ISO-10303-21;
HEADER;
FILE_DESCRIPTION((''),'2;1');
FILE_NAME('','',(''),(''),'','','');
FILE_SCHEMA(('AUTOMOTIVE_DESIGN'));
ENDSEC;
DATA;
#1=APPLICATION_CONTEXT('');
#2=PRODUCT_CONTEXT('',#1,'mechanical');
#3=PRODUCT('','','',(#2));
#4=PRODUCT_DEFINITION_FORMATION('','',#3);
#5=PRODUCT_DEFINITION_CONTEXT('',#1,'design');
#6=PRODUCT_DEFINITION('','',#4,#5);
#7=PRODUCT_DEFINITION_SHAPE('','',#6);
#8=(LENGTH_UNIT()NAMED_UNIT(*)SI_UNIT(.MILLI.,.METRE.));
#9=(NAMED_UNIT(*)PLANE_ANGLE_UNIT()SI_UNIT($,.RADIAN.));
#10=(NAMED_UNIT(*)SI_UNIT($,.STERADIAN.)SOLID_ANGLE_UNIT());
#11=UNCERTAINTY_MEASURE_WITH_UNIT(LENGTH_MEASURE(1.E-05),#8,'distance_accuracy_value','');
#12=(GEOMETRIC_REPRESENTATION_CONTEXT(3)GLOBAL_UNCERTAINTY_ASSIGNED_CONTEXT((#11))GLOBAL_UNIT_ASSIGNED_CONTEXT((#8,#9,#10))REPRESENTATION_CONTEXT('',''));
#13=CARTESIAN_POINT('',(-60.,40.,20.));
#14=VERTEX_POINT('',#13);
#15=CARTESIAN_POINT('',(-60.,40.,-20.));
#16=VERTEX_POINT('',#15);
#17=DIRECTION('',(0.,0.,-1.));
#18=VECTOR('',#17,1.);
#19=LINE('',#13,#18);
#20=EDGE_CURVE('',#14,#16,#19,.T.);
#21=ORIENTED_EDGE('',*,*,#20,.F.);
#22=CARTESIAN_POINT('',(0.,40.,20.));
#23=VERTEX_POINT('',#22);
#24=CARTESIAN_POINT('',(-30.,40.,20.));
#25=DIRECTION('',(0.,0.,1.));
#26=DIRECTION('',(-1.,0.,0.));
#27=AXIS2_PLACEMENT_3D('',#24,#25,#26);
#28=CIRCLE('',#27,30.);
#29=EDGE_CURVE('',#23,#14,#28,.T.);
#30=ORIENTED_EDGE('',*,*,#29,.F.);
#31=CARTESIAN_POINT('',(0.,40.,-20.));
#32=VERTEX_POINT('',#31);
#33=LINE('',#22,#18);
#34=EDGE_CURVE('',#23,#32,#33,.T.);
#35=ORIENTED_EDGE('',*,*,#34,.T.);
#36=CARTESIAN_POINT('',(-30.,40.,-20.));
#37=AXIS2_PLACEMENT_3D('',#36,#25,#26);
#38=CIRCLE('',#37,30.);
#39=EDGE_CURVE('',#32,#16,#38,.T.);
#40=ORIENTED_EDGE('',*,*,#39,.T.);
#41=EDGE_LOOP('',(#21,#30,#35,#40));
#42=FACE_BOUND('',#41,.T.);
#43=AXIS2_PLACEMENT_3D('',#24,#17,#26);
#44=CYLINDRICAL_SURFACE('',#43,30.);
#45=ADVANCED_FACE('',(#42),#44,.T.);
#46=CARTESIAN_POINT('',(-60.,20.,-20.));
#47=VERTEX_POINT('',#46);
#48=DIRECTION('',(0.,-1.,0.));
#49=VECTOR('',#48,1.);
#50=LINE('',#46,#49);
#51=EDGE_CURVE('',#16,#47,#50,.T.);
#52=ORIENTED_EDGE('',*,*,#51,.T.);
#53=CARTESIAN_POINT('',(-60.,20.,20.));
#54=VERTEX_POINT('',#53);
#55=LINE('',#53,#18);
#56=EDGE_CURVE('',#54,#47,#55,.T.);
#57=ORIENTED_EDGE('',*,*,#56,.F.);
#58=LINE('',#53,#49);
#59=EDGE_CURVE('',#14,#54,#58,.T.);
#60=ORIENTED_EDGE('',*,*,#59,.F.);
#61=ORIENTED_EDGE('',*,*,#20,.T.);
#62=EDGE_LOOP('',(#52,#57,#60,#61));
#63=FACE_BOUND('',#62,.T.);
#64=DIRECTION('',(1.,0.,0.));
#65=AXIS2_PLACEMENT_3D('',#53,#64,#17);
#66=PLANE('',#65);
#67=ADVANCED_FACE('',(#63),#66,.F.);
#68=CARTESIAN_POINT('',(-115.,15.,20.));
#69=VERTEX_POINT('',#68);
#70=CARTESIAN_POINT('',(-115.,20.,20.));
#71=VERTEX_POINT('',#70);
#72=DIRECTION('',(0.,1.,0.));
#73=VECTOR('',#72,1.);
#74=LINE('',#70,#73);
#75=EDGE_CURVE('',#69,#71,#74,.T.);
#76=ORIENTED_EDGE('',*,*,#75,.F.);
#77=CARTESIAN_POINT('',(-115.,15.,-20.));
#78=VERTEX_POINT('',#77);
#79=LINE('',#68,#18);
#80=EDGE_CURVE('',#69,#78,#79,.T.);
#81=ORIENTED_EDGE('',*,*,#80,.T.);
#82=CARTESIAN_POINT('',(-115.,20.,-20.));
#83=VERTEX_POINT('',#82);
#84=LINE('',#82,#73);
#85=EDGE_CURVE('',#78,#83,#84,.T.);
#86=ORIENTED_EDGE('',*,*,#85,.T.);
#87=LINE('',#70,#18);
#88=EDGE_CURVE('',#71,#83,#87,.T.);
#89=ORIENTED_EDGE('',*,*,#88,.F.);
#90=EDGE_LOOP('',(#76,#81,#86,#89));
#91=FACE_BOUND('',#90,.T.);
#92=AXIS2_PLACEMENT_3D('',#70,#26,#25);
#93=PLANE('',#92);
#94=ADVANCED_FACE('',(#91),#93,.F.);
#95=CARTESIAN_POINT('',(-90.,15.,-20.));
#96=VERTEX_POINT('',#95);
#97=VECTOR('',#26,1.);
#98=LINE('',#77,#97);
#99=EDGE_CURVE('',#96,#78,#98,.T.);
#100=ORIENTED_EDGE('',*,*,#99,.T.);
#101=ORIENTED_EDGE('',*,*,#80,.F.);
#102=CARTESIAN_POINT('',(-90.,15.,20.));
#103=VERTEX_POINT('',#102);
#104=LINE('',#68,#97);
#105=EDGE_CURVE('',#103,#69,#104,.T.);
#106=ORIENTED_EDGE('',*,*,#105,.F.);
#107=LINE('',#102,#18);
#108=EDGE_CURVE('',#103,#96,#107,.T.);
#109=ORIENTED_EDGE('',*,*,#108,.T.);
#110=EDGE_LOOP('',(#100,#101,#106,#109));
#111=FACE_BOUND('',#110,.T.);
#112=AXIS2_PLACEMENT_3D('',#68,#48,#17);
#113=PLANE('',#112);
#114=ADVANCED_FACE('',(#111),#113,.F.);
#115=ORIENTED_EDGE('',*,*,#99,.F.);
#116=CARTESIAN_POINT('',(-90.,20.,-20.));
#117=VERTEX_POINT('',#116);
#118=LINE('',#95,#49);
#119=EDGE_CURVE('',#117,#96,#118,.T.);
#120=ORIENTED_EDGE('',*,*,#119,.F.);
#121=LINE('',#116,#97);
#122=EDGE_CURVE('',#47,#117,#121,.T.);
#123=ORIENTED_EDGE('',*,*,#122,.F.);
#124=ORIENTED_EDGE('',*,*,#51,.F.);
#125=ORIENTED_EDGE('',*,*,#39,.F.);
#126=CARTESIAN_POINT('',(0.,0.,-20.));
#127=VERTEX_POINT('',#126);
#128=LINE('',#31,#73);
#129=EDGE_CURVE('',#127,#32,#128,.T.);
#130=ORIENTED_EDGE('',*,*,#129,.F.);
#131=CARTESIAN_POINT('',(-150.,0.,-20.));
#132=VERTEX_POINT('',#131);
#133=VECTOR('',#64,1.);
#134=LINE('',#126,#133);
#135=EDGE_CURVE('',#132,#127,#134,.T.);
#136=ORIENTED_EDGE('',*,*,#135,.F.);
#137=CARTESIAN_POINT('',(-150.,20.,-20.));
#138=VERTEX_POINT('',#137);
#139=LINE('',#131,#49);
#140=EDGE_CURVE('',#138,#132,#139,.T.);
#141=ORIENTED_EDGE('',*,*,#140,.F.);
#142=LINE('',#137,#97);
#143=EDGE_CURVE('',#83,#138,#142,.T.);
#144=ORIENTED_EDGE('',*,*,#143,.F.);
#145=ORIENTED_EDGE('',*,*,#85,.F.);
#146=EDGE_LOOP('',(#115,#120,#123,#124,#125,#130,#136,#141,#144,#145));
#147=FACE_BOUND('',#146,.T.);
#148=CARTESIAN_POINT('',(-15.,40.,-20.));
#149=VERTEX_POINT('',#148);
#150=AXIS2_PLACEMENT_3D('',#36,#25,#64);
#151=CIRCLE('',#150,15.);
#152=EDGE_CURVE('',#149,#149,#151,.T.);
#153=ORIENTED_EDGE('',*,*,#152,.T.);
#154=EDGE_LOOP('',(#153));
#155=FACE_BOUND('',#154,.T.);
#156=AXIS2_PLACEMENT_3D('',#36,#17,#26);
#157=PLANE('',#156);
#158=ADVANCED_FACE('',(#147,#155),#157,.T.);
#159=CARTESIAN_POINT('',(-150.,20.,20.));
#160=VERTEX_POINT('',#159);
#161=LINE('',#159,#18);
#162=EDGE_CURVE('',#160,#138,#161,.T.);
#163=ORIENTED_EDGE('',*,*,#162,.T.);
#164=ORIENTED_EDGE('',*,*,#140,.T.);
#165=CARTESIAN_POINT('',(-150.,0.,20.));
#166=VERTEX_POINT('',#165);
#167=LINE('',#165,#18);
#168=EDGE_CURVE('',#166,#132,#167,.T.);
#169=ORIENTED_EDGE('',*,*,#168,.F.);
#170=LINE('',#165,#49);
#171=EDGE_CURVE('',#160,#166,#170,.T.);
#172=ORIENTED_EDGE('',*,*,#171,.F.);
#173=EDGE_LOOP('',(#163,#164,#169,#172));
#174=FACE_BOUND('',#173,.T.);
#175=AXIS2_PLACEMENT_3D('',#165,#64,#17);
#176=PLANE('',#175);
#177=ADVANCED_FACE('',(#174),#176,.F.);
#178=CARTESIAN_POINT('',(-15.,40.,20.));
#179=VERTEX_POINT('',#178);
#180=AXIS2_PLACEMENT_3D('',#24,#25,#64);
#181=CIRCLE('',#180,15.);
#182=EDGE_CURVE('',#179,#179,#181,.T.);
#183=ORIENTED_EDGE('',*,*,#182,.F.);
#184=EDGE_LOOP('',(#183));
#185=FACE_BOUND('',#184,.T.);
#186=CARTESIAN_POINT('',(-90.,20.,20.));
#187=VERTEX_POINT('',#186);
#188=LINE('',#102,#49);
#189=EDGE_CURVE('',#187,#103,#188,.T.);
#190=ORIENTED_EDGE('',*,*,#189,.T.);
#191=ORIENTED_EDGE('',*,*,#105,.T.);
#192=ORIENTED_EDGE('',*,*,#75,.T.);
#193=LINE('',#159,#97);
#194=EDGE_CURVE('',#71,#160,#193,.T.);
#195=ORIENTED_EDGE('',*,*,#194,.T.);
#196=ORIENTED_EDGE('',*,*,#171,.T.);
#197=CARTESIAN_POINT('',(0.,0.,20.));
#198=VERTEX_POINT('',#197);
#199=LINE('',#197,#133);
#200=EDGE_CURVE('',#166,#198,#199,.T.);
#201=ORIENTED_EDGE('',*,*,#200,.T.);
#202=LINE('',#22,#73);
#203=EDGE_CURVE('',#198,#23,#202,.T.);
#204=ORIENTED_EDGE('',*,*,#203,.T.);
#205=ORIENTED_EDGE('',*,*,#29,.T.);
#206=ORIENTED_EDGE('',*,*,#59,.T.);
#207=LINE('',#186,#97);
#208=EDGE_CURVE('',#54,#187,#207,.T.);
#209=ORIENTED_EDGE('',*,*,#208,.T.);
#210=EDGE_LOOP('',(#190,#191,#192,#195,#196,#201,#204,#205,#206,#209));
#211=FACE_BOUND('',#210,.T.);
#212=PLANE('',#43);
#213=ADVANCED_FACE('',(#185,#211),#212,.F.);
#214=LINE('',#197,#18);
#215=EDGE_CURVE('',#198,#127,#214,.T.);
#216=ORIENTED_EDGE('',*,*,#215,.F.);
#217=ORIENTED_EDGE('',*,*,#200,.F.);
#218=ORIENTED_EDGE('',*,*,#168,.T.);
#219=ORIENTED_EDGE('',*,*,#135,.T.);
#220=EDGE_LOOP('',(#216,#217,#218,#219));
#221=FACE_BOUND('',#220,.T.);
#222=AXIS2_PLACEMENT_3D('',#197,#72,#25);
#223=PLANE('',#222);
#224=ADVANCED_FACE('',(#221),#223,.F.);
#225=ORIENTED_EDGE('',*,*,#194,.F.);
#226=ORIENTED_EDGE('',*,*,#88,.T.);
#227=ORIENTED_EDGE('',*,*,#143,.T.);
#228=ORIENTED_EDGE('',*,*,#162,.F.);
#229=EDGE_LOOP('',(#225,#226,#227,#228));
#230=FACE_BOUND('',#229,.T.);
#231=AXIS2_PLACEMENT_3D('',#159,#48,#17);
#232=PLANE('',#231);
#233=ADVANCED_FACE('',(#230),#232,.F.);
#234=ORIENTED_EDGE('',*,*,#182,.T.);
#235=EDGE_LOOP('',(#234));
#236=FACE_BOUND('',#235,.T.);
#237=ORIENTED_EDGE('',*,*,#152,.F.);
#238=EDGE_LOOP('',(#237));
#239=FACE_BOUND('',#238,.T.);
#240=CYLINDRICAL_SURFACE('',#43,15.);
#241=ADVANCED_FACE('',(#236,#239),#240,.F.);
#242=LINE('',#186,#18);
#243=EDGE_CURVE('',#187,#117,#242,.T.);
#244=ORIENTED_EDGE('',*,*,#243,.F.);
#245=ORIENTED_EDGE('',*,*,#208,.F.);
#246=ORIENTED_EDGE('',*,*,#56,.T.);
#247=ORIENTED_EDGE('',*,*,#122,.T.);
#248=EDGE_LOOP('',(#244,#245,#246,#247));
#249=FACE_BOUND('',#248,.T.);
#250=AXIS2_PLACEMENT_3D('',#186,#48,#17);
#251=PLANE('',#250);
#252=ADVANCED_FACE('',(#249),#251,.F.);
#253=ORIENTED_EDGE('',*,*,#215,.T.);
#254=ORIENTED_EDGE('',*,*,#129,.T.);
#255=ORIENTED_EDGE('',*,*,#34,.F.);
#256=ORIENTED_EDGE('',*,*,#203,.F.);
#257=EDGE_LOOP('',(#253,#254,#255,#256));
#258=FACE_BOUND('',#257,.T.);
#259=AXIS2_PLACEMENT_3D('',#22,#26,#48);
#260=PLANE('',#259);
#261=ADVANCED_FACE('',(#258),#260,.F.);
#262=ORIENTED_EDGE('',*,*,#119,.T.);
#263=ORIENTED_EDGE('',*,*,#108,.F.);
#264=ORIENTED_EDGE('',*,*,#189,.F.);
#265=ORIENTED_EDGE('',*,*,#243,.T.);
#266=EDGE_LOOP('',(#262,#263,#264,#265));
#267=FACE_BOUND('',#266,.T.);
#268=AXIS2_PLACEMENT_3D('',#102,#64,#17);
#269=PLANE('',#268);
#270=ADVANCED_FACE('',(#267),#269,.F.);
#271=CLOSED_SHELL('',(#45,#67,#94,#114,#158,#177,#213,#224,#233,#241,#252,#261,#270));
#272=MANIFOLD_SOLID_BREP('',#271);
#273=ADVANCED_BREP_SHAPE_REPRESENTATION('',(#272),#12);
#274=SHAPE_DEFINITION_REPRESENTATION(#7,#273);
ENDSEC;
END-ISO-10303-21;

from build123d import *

# Parameters (mm, degrees)
SKETCH2_R           = 15
BOSS_EXTRUDE1_DEPTH = 20


with BuildPart() as part:
    # Sketch2 → Boss-Extrude1 (new, symmetric)
    with BuildSketch(Plane.XY):
        with BuildLine():
            Line((0, 0), (-150, 0))
            Line((-150, 0), (-150, 20))
            Line((-150, 20), (-115, 20))
            Line((-115, 20), (-115, 15))
            Line((-115, 15), (-90, 15))
            Line((-90, 15), (-90, 20))
            Line((-90, 20), (-60, 20))
            Line((-60, 20), (-60, 40))
            ThreePointArc((-60, 40), (-30, 70), (0, 40))
            Line((0, 40), (0, 0))
        make_face()
        with Locations((-30, 40)):
            Circle(SKETCH2_R, mode=Mode.SUBTRACT)
    extrude(amount=BOSS_EXTRUDE1_DEPTH, both=True)


solid = part.part
